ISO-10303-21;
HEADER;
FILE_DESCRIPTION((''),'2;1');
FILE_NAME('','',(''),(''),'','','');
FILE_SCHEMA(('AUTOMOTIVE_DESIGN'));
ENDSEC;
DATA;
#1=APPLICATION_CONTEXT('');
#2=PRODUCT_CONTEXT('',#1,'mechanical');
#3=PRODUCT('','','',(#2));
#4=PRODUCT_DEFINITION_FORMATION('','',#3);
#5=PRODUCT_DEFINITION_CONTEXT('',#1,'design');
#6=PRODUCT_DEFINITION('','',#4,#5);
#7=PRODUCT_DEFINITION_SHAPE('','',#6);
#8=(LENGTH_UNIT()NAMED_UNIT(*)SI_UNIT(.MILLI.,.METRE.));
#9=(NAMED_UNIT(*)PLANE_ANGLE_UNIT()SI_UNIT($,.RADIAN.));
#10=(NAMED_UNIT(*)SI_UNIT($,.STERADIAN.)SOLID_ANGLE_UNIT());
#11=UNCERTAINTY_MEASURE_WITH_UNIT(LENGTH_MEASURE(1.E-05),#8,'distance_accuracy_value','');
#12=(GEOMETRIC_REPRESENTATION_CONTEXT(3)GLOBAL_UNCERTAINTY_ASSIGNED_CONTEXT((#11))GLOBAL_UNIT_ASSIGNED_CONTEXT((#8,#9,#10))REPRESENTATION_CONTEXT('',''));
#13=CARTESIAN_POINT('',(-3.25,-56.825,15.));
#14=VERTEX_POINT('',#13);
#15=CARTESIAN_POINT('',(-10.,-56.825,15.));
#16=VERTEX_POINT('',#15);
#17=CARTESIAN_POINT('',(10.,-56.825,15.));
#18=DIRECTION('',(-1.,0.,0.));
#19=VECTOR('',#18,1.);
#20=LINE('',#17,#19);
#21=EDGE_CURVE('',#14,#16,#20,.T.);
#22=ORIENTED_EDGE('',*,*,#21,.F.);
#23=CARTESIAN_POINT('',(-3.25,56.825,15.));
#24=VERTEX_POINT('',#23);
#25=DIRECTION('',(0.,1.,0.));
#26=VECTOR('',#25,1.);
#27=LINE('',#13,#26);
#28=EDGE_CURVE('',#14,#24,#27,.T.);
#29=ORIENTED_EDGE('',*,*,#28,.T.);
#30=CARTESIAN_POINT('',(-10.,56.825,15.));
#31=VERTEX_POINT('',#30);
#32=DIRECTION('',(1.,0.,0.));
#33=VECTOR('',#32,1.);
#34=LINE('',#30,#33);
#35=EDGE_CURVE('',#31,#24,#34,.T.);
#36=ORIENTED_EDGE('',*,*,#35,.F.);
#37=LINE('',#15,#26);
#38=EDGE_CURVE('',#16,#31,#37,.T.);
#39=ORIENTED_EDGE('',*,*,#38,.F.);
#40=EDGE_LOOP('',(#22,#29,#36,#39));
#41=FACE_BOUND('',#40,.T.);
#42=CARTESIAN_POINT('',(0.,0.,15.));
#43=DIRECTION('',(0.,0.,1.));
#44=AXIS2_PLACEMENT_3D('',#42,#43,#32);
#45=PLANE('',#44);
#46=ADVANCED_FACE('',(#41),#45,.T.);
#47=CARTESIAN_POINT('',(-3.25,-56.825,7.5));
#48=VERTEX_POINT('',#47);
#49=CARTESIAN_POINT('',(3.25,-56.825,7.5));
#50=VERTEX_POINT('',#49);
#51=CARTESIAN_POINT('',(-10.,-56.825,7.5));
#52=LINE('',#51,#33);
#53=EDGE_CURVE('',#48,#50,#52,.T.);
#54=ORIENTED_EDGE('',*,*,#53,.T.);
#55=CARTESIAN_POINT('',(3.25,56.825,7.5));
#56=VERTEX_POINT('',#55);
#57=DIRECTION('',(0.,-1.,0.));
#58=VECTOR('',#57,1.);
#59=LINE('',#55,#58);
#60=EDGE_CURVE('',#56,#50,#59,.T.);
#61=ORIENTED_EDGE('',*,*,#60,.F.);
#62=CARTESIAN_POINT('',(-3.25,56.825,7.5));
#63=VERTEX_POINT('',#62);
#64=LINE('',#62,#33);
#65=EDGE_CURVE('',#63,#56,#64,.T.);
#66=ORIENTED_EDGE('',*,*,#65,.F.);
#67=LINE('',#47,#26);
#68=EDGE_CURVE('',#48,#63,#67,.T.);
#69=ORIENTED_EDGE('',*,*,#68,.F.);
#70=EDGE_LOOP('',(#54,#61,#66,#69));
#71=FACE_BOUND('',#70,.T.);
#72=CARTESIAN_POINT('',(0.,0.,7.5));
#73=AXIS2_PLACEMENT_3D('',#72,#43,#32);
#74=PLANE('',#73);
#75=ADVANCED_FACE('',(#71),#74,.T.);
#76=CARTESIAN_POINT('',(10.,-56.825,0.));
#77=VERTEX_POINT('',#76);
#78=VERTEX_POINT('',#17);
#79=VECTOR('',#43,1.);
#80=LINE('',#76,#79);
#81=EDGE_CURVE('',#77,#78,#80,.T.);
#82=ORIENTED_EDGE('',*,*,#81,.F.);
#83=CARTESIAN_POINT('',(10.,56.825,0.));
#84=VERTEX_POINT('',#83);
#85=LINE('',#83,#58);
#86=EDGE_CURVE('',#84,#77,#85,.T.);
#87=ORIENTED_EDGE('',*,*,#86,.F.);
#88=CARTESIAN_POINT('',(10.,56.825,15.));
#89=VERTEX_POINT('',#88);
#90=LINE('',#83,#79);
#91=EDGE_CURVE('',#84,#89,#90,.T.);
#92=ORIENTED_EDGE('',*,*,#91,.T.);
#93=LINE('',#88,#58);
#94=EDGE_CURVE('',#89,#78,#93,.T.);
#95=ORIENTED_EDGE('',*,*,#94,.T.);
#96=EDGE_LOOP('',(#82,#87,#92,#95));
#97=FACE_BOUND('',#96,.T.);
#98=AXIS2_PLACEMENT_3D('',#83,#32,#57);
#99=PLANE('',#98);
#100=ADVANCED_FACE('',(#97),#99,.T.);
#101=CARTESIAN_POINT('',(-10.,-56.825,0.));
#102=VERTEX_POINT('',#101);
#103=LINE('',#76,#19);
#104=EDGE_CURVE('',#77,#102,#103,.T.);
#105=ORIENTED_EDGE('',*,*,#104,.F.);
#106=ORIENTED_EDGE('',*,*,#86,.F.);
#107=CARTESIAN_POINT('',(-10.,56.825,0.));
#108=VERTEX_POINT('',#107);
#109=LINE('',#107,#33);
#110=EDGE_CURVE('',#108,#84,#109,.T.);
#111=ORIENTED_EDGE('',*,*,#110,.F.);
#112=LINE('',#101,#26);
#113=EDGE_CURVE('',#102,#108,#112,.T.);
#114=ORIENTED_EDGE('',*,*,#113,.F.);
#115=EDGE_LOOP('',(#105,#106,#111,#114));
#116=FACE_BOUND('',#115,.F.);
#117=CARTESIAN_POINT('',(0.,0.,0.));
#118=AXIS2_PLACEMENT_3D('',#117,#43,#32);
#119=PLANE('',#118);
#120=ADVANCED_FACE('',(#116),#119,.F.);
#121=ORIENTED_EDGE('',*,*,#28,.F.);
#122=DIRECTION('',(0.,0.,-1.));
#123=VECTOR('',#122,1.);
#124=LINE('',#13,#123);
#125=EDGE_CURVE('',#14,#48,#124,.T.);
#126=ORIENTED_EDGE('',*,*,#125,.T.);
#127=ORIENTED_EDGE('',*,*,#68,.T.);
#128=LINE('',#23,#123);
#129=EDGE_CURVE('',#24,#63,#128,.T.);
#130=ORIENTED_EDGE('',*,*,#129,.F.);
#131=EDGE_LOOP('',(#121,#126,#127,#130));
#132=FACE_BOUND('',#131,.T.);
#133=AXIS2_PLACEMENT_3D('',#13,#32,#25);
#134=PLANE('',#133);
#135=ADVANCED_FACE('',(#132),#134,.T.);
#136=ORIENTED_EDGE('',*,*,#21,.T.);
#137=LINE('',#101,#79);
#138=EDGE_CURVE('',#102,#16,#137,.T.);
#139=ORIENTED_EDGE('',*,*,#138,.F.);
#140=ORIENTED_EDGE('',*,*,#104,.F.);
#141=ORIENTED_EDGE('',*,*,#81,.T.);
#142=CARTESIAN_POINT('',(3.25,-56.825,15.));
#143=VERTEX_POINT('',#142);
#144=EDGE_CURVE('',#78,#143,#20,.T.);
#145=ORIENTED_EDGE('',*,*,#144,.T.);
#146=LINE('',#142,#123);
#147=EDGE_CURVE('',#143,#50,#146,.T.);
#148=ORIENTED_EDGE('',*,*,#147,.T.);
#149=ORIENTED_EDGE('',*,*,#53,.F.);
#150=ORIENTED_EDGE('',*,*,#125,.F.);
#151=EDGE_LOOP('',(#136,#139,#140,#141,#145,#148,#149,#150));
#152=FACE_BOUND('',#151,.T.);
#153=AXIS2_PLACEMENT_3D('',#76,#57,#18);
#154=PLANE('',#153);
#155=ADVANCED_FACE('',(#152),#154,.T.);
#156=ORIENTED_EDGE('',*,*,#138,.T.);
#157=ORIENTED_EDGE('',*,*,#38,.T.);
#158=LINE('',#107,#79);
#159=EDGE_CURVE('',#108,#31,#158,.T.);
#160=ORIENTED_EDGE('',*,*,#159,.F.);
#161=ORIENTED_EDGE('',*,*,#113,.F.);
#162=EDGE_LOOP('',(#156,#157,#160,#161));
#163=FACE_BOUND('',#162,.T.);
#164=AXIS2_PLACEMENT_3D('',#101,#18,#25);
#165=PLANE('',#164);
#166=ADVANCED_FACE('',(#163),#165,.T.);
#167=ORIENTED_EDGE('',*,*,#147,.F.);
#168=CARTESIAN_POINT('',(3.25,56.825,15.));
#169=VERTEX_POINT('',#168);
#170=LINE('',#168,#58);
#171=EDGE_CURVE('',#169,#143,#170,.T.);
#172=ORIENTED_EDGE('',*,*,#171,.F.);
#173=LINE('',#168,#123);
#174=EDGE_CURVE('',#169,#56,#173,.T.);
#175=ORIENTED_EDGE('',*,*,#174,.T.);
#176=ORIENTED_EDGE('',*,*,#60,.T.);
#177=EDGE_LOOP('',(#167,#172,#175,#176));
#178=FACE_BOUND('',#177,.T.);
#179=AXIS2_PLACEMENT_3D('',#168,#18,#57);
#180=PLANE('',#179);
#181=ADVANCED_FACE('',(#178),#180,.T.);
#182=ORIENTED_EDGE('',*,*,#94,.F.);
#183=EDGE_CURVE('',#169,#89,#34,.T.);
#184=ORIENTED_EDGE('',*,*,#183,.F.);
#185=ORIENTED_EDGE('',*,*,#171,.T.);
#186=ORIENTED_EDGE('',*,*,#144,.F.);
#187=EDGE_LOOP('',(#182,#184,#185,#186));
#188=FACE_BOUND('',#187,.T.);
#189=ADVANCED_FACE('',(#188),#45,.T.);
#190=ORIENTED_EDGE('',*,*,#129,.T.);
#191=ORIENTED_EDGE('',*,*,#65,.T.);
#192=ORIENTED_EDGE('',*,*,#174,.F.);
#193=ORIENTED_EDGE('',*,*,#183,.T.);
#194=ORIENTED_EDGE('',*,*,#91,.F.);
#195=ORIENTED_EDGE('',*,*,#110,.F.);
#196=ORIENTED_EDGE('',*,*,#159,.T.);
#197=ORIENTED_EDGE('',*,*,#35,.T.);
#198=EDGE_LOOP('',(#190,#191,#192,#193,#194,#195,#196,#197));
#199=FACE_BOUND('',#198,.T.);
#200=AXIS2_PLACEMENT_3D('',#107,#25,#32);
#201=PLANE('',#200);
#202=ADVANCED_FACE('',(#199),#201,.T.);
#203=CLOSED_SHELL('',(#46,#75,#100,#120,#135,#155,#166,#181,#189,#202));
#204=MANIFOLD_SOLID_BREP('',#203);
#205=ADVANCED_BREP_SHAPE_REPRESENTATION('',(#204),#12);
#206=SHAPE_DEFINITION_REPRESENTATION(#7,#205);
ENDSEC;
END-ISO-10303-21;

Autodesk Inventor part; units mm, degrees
ref_plane "YZ Plane" through (0, 0, 0) normal (1, 0, 0) x (0, 1, 0)
ref_plane "XZ Plane" through (0, 0, 0) normal (0, 1, 0) x (-1, 0, 0)
ref_plane "XY Plane" through (0, 0, 0) normal (0, 0, 1) x (1, 0, 0)
sketch "Sketch1" plane through (0, 0, 0) normal (0, 0, 1) x (1, 0, 0)
  line L0 (-10, 56.825) -> (10, 56.825)
  line L1 (10, 56.825) -> (10, -56.825)
  line L2 (10, -56.825) -> (-10, -56.825)
  line L3 (-10, -56.825) -> (-10, 56.825)
  point P0 (0, 0)
  dimension "d0" = 113.65
  dimension "d1" = 56.825
  dimension "d2" = 20
  dimension "d3" = 10
extrude "Extrusion1" add sketch "Sketch1" along normal blind 15
sketch "Sketch2" plane through (0, 0, 15) normal (0, 0, 1) x (1, 0, 0)
  line L0 (-10, -56.825) -> (10, -56.825) projected
  line L1 (-3.25, 56.825) -> (3.25, 56.825)
  line L2 (3.25, 56.825) -> (3.25, -56.825)
  line L3 (3.25, -56.825) -> (-3.25, -56.825)
  line L4 (-3.25, -56.825) -> (-3.25, 56.825)
  line L5 (-10, 56.825) -> (-10, -56.825) projected
  line L6 (10, -56.825) -> (10, 56.825) projected
  point P0 (0, 0)
  dimension "d6" = 6.75
  dimension "d7" = 6.5
  dimension "d8" = 20
extrude "Extrusion2" cut sketch "Sketch2" against normal blind 7.5
equation "\"d1\" = 0.5 * d0"
equation "\"d3\" = 0.5 * d2"
equation "\"d6\" = -0.5 * d7 + 0.5 * d8"
properties part number "2208_Back Plate Groove_V1"
